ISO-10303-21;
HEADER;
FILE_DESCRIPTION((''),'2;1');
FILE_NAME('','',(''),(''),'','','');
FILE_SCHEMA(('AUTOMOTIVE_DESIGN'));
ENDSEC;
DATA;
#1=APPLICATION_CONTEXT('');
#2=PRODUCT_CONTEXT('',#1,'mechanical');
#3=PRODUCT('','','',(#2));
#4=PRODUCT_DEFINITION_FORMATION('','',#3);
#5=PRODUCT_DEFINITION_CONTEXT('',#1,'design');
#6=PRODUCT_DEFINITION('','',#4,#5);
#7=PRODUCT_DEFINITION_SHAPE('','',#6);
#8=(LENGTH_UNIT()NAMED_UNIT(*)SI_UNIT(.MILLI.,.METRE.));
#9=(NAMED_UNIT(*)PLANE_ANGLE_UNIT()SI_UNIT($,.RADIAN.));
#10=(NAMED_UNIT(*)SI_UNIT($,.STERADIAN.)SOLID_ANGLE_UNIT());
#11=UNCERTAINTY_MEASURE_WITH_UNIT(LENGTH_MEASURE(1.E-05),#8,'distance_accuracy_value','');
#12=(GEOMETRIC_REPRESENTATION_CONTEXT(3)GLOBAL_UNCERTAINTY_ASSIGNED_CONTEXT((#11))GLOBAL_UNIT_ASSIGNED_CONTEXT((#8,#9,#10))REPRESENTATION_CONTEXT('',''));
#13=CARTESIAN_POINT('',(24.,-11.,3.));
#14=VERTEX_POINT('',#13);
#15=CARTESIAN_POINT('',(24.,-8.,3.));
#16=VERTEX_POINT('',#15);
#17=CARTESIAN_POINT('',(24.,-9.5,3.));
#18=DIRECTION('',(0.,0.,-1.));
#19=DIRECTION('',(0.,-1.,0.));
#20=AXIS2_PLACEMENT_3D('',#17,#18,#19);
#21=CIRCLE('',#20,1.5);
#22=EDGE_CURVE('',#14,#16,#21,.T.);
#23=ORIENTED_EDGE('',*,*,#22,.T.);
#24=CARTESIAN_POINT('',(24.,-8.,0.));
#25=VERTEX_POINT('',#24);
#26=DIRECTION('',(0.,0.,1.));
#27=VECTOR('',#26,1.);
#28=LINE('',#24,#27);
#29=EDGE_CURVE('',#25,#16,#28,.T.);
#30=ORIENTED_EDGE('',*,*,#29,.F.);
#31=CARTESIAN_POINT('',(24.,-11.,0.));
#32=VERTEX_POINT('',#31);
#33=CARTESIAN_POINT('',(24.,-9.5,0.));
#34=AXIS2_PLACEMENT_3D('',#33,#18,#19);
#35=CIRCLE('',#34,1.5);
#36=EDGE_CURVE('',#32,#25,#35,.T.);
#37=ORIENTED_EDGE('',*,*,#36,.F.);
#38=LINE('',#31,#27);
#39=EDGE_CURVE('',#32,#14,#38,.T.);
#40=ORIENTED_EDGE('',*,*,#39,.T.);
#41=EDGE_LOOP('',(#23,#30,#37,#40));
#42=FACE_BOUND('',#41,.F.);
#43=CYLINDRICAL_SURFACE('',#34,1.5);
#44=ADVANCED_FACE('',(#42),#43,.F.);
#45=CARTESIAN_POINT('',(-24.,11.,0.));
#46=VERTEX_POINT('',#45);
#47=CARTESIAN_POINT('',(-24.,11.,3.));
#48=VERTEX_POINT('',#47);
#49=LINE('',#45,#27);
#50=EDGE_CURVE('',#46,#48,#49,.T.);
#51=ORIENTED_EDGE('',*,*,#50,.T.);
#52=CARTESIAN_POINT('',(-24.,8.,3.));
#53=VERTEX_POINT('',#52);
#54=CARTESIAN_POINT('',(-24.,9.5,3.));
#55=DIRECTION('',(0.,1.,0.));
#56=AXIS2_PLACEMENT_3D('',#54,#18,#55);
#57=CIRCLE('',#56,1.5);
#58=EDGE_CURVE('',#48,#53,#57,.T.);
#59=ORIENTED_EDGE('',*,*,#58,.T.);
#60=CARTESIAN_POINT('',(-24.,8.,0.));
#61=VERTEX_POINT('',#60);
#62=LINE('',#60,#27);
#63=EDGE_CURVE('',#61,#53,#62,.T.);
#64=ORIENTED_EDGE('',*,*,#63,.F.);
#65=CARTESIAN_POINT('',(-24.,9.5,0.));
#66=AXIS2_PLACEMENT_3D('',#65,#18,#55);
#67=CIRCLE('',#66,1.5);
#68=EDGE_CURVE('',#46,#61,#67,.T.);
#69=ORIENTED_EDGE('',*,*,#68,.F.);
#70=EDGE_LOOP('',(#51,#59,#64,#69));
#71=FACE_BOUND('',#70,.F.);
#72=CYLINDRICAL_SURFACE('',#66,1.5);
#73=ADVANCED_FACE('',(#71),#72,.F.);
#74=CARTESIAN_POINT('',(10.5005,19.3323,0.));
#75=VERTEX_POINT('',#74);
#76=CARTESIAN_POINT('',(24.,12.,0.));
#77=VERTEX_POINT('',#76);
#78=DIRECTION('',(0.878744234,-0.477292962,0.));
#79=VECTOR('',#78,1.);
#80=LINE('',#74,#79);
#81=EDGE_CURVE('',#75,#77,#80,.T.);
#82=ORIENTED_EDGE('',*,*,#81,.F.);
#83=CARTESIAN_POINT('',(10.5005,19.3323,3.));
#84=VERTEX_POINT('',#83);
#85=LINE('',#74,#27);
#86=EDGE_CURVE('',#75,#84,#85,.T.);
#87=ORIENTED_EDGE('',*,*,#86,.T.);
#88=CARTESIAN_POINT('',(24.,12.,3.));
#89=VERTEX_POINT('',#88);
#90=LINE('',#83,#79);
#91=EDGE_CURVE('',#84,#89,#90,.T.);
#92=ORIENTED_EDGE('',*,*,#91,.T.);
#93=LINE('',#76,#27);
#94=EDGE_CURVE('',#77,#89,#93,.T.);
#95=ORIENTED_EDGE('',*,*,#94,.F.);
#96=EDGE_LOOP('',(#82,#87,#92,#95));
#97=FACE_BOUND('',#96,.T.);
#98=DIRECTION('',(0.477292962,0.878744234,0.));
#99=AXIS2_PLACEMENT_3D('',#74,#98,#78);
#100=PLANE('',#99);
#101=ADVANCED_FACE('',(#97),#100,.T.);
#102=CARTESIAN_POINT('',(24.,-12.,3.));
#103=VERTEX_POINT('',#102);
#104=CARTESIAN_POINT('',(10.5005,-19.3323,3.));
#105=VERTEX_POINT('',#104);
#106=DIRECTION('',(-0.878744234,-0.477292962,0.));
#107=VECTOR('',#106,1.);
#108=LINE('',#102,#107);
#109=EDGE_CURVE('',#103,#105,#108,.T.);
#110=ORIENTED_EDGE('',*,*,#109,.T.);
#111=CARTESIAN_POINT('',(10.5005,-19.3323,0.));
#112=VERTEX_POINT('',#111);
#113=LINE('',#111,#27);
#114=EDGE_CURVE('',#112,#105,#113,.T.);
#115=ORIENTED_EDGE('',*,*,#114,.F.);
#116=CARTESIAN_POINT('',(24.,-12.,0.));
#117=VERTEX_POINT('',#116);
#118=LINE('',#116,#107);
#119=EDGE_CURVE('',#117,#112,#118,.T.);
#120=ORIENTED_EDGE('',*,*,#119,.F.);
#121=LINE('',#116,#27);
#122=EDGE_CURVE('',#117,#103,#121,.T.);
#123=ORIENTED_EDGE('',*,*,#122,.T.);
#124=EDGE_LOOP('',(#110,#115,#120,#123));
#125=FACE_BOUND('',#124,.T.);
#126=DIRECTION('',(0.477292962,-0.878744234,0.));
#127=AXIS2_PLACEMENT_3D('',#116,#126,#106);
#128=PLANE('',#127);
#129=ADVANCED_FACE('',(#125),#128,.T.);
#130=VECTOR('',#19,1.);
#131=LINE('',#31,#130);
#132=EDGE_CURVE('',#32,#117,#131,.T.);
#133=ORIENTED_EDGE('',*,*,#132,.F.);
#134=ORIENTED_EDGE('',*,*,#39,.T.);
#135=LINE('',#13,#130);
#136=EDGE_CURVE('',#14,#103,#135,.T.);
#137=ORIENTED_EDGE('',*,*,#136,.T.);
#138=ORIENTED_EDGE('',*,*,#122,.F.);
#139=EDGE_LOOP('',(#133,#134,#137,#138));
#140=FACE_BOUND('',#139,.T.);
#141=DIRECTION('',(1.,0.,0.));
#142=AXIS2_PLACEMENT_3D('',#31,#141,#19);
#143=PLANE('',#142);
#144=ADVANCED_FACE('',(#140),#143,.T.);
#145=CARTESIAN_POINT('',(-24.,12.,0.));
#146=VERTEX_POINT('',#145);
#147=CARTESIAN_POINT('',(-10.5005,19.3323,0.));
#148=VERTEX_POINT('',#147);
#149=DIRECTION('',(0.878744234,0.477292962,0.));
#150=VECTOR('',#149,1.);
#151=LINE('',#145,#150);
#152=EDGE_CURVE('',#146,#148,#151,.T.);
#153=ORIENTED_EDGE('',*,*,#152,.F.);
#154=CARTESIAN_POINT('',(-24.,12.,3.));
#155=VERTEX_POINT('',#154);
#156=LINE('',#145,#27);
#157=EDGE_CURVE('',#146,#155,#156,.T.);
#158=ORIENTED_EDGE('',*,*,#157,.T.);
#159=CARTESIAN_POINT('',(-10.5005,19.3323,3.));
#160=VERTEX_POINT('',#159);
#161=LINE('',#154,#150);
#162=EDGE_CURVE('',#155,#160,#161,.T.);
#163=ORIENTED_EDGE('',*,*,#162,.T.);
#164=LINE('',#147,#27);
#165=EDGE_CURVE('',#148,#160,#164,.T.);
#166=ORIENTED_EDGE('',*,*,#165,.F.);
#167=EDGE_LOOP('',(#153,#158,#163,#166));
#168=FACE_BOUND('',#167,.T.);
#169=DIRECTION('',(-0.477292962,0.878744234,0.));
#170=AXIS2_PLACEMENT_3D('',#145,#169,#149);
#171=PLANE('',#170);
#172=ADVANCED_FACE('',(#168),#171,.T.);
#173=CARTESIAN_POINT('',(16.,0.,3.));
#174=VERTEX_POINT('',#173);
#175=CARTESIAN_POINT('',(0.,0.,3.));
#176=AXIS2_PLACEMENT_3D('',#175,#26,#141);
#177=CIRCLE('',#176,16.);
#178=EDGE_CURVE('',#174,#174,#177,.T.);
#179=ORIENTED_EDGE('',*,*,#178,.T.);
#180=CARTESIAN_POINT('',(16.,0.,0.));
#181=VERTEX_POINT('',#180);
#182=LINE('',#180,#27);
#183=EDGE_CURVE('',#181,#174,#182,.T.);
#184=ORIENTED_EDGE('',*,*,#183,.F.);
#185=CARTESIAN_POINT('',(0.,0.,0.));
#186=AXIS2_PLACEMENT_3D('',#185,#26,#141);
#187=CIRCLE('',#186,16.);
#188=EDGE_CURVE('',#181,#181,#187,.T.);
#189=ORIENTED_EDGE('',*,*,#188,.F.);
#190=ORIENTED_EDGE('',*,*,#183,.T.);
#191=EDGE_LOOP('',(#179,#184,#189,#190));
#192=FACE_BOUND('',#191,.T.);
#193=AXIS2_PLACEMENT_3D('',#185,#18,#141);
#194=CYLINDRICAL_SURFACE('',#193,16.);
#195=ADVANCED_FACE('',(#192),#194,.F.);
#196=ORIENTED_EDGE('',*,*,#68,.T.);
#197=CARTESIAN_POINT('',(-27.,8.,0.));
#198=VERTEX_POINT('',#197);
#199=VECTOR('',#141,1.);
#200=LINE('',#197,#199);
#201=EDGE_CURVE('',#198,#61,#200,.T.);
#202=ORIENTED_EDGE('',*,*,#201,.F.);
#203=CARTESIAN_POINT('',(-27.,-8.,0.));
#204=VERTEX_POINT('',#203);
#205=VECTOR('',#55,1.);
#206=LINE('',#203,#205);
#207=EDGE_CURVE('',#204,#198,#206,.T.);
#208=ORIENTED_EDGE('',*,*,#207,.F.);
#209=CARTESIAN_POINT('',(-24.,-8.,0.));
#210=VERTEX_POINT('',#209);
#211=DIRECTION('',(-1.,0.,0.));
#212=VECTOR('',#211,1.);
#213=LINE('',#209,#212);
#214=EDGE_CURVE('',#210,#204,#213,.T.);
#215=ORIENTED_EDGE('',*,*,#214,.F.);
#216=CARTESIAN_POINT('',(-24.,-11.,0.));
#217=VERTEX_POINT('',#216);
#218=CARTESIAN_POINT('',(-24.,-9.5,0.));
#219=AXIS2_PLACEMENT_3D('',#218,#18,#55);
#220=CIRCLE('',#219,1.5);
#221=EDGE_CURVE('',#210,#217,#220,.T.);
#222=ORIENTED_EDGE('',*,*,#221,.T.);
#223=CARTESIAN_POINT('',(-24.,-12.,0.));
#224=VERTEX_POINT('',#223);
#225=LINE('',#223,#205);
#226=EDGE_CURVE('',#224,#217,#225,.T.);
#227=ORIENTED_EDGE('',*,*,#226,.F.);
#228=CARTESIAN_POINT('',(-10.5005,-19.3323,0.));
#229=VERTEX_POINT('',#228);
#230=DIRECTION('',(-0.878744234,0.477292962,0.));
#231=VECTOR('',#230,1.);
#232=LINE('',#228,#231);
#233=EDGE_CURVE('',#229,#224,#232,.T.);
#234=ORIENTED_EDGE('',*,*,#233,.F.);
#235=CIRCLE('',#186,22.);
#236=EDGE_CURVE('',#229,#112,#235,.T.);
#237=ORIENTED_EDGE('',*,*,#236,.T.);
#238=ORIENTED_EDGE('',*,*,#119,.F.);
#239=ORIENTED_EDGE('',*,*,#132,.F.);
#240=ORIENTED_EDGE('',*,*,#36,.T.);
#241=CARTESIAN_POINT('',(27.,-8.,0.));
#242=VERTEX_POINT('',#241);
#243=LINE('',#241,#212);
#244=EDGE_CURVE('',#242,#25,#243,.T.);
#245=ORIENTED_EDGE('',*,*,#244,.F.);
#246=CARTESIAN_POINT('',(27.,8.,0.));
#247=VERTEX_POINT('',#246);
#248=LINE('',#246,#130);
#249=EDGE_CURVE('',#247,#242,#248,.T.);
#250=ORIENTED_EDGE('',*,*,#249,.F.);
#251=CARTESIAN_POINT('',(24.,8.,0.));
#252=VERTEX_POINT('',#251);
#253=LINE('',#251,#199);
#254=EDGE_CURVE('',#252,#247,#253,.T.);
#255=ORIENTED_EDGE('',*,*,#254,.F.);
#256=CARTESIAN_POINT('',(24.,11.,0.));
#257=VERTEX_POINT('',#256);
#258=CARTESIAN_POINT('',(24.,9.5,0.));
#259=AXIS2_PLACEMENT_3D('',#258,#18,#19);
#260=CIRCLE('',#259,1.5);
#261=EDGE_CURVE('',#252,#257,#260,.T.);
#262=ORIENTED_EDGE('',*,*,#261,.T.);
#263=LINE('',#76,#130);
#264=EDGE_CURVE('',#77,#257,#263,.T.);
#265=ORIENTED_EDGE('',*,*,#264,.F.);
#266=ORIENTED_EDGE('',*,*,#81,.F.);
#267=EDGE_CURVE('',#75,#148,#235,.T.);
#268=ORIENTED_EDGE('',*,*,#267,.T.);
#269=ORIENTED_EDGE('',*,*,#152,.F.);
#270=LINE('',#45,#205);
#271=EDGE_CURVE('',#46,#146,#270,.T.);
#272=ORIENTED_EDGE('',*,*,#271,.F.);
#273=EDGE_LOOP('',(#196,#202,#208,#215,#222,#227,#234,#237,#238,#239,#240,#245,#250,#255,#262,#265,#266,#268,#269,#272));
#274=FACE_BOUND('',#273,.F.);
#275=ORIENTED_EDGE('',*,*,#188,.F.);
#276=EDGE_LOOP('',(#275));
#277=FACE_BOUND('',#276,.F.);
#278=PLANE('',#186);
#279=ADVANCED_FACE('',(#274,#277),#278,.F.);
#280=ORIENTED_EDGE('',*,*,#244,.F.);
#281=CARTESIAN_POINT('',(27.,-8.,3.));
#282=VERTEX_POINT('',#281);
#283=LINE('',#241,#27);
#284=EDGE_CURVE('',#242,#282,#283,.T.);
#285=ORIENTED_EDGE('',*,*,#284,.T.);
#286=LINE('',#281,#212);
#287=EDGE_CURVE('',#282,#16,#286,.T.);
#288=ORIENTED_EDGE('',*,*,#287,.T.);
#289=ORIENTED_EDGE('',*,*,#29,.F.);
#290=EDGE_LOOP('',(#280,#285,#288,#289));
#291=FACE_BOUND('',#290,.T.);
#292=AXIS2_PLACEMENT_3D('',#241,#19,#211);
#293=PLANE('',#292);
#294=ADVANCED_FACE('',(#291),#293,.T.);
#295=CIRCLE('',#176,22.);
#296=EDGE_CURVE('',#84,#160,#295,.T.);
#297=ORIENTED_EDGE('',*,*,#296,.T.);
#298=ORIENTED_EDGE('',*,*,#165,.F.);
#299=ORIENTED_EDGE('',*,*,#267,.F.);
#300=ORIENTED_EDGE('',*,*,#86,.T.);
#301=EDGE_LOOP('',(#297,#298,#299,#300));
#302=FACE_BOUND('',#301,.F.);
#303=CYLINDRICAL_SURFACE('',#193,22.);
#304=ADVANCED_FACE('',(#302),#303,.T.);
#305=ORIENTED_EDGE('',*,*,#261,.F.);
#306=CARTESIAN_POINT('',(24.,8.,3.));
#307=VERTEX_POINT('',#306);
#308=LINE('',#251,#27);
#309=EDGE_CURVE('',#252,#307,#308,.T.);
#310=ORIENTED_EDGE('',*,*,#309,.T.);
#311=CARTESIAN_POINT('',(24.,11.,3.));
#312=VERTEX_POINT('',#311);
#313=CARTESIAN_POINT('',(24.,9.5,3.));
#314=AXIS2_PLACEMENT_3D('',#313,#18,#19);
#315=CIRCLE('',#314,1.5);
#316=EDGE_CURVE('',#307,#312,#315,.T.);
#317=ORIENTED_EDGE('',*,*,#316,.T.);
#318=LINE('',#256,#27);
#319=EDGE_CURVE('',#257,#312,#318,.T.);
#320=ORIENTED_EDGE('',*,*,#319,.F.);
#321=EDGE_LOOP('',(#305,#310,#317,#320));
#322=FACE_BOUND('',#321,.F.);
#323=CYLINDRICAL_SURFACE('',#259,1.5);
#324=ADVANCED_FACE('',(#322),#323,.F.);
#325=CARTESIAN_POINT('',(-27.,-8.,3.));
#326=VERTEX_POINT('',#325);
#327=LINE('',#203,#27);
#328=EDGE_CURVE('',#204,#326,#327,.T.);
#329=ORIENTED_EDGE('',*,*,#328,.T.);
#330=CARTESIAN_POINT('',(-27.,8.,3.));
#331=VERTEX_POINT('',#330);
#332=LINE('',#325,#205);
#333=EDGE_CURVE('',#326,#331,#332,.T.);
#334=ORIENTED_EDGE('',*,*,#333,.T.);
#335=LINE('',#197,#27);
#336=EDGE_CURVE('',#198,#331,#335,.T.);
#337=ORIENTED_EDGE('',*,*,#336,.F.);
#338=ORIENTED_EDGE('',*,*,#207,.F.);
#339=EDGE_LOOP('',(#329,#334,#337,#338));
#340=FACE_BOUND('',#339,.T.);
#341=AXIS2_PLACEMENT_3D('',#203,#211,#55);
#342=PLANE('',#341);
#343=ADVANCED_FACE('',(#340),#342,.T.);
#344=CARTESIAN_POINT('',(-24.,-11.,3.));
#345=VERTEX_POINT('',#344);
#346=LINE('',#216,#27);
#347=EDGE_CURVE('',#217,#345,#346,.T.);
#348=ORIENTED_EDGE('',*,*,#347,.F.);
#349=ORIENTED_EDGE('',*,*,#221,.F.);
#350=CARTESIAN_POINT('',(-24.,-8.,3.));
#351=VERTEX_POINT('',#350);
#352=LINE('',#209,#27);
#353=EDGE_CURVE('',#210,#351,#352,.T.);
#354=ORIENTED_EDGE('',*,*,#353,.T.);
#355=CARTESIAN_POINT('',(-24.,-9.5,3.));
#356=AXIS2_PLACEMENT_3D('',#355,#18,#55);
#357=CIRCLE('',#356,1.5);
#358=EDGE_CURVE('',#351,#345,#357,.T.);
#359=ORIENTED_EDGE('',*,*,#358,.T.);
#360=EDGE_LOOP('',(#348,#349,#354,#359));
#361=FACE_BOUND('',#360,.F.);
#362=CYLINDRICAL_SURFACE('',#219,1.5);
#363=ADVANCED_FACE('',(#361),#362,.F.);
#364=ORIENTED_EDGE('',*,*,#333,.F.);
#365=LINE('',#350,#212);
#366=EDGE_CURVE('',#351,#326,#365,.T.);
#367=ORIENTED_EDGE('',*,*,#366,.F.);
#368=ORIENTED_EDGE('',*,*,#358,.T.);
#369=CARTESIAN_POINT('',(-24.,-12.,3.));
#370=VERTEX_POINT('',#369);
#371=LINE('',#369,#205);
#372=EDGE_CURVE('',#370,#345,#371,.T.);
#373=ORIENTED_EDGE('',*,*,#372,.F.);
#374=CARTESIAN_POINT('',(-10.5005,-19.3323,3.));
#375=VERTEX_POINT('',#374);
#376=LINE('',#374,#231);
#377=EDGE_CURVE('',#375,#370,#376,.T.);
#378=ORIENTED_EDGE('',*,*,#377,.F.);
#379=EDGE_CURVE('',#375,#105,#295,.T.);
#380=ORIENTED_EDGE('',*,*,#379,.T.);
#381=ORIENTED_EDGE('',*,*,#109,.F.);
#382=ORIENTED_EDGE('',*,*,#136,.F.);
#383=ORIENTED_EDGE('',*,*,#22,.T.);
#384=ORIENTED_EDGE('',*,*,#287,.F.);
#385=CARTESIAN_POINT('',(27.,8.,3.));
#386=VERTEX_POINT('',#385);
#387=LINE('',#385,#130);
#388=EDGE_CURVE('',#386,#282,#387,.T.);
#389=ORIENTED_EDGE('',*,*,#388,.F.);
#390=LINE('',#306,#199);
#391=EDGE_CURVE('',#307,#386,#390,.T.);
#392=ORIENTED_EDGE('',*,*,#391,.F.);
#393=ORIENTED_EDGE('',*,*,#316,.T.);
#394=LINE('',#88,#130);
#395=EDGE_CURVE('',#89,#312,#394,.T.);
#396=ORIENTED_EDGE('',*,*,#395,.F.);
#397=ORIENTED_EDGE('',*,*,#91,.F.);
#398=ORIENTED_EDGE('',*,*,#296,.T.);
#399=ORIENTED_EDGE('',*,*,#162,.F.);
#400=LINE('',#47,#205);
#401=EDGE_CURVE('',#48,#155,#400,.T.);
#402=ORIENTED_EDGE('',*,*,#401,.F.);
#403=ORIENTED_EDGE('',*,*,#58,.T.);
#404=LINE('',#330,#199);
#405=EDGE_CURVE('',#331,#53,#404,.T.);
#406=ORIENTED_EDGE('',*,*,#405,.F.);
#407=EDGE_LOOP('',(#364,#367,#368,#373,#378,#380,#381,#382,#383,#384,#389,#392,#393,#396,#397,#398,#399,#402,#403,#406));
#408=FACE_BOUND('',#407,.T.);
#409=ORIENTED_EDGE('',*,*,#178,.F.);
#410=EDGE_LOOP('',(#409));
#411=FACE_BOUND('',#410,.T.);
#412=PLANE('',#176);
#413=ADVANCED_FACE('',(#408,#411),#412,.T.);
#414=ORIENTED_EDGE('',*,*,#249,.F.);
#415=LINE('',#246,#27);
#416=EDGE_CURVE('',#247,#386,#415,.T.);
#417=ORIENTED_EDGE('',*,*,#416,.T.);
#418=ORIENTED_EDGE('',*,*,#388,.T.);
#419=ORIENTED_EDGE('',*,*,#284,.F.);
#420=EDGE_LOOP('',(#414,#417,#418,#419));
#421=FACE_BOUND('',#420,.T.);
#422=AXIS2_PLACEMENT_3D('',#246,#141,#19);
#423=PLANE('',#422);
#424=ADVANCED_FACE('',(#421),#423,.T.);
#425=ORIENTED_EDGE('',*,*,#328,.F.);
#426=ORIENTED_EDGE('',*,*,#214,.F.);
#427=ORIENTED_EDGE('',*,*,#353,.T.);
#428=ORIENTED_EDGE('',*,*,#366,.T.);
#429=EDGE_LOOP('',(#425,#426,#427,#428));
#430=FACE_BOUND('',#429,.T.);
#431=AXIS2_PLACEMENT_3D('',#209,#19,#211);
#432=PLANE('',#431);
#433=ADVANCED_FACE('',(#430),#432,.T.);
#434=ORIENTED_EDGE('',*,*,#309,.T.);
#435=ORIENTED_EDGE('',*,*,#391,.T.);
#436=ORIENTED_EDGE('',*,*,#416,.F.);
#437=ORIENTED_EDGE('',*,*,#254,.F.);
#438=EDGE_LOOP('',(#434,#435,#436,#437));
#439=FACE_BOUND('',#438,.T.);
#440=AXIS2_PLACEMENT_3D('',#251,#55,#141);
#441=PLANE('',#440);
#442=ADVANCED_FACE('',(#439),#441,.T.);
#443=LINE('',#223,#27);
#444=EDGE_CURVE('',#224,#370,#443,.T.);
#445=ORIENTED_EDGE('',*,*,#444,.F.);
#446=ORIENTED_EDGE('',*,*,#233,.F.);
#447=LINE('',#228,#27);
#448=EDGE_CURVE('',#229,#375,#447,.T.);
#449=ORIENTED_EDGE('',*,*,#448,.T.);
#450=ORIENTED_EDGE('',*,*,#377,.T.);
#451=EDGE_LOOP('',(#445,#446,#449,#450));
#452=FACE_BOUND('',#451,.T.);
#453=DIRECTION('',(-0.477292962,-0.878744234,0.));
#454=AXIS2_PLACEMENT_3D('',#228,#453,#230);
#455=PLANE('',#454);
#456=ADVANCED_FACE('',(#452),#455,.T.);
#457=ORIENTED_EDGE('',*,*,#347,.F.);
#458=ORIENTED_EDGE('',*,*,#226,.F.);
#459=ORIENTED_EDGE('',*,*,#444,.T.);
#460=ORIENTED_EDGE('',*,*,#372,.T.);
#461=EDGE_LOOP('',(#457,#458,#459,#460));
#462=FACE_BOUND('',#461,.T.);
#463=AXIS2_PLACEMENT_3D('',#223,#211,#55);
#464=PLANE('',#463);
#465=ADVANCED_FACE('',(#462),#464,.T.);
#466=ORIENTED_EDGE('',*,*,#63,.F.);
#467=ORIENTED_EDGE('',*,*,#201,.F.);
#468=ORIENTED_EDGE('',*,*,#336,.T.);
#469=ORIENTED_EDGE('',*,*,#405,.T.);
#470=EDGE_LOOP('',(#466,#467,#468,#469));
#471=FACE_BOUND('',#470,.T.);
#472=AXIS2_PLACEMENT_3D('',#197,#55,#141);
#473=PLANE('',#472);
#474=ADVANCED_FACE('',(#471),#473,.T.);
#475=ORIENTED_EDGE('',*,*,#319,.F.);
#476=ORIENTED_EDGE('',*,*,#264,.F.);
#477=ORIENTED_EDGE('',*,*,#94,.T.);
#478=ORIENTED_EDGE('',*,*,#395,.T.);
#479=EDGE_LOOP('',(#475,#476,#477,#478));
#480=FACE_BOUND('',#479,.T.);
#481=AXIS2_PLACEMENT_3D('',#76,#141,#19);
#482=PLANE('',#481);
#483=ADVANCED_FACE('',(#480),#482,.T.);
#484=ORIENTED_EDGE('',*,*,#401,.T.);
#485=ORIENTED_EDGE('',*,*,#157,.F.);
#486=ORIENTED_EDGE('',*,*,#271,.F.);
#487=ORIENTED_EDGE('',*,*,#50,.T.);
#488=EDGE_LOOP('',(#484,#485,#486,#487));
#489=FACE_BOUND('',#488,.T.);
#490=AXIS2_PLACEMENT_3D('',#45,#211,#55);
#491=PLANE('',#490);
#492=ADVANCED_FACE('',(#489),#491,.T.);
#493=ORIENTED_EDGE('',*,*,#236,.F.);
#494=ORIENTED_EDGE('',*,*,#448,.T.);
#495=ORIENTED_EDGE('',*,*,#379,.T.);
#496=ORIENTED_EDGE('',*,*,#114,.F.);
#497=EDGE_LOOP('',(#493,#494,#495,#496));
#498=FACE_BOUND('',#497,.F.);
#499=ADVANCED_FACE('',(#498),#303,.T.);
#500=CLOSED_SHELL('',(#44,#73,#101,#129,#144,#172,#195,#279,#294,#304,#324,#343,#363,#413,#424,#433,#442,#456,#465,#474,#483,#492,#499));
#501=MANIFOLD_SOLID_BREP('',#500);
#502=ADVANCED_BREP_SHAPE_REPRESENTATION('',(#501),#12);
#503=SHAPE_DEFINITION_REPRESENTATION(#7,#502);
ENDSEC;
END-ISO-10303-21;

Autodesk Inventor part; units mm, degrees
ref_plane "YZ Plane" through (0, 0, 0) normal (1, 0, 0) x (0, 1, 0)
ref_plane "XZ Plane" through (0, 0, 0) normal (0, 1, 0) x (-1, 0, 0)
ref_plane "XY Plane" through (0, 0, 0) normal (0, 0, 1) x (1, 0, 0)
sketch "スケッチ1" plane through (0, 0, 0) normal (0, 0, 1) x (1, 0, 0)
  circle A0 centre (0, 0) radius 16
  circle A1 centre (0, 0) radius 22
  dimension "d0" = 32
  dimension "d7" = 6
extrude "押し出し1" add sketch "スケッチ1" along normal blind 3
sketch "スケッチ2" plane through (0, 0, 0) normal (0, 0, -1) x (-1, 0, 0)
  line L0 (-27, 8) -> (-27, -8)
  line L1 (27, -8) -> (27, 8)
  line L2 (24, -8) -> (27, -8)
  line L3 (-27, -8) -> (-24, -8)
  line L4 (-24, 8) -> (-27, 8)
  line L5 (27, 8) -> (24, 8)
  line L6 (-24, 12) -> (-24, 11)
  line L7 (-24, -11) -> (-24, -12)
  line L8 (24, -12) -> (24, -11)
  line L9 (24, 11) -> (24, 12)
  line L10 (-24, -12) -> (-10.5005, -19.3323)
  line L11 (10.5005, -19.3323) -> (24, -12)
  line L12 (24, 12) -> (10.5005, 19.3323)
  line L13 (-10.5005, 19.3323) -> (-24, 12)
  circle A0 centre (0, 0) radius 22 projected
  arc A1 (24, -8) -> (24, -11) centre (24, -9.5) ccw
  arc A2 (24, 11) -> (24, 8) centre (24, 9.5) ccw
  arc A3 (-24, 8) -> (-24, 11) centre (-24, 9.5) ccw
  arc A4 (-24, -11) -> (-24, -8) centre (-24, -9.5) ccw
  point P0 (-27, 0)
  point P1 (27, 0)
  dimension "d10" = 54
  dimension "d11" = 16
  dimension "d13" = 48
  dimension "d14" = 24
  dimension "d17" = 3
extrude "押し出し2" add sketch "スケッチ2" against normal blind 3 contours L4 A3 L6 L13 A0 L10 L7 A4 L3 L0 | L12 L9 A2 L5 L1 L2 A1 L8 L11 A0
properties part number "RS555-71K_MotorsupportPolica" material "ポリカーボネート、クリア"
